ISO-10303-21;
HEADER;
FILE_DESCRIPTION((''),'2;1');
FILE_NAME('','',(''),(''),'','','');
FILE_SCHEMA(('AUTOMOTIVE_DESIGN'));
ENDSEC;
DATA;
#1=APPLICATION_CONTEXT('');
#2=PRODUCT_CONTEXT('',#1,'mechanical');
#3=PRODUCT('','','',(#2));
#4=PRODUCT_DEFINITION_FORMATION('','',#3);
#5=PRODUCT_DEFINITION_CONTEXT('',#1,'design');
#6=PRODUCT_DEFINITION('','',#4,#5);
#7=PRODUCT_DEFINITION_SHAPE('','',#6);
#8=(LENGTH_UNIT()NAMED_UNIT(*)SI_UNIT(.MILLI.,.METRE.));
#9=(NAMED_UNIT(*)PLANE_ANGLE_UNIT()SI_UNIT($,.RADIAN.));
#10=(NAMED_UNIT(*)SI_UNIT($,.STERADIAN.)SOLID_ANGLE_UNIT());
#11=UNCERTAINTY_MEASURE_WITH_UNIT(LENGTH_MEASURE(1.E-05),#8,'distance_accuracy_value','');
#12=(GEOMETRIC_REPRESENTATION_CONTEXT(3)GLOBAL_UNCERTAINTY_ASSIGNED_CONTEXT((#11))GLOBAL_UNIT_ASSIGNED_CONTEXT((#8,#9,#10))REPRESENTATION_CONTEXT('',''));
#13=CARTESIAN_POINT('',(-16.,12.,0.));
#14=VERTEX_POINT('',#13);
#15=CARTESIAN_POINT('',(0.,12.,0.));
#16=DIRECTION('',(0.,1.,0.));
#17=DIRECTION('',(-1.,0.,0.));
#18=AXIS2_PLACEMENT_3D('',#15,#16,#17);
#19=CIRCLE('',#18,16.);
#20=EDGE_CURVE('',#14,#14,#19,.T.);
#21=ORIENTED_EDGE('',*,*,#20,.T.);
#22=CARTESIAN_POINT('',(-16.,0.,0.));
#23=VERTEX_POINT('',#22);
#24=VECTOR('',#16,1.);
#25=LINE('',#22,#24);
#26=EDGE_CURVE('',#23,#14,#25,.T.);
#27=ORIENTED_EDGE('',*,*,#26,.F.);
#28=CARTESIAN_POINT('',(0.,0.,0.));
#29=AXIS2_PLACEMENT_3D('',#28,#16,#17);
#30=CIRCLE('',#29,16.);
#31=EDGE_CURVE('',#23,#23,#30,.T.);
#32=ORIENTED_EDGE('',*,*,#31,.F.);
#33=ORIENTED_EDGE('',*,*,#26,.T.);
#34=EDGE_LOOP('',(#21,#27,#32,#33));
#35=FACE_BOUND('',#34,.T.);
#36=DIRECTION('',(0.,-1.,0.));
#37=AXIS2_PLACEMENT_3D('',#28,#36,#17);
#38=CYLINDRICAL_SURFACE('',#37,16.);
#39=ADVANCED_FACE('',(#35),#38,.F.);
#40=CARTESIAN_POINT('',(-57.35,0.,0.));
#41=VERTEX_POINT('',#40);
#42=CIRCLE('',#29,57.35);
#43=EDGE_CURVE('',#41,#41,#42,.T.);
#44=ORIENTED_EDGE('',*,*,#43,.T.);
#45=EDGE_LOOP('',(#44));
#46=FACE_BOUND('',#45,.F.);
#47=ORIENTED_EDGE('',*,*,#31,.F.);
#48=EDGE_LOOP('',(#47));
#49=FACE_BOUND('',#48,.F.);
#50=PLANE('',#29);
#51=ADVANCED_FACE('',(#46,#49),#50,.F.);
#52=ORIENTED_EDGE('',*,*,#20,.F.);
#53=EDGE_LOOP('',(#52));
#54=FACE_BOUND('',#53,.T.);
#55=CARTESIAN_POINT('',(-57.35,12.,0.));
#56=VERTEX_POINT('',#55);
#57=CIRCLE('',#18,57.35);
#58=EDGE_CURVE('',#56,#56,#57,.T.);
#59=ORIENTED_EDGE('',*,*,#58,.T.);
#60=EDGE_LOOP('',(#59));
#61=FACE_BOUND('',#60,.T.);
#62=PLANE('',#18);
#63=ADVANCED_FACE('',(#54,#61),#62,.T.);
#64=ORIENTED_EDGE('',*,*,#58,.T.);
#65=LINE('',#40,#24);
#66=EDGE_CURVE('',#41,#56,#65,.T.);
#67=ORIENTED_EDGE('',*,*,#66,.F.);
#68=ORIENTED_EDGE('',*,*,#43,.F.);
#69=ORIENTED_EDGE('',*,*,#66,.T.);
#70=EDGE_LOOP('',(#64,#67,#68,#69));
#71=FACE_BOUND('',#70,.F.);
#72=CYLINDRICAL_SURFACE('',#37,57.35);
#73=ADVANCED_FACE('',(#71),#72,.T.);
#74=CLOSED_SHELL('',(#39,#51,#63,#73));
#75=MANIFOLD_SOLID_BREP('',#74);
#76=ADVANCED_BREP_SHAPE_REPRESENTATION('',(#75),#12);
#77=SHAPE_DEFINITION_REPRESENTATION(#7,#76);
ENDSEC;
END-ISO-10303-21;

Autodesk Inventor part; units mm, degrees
ref_plane "YZ Plane" through (0, 0, 0) normal (1, 0, 0) x (0, 1, 0)
ref_plane "XZ Plane" through (0, 0, 0) normal (0, 1, 0) x (-1, 0, 0)
ref_plane "XY Plane" through (0, 0, 0) normal (0, 0, 1) x (1, 0, 0)
sketch "Esquisse1" plane through (0, 0, 0) normal (0, 1, 0) x (-1, 0, 0)
  circle A0 centre (0, 0) radius 16 projected
  circle A1 centre (0, 0) radius 57.35
  dimension "d20" = 114.7
extrude "Extrusion1" add sketch "Esquisse1" along normal blind 12
properties part number "Colossus_7kW_Stator"
